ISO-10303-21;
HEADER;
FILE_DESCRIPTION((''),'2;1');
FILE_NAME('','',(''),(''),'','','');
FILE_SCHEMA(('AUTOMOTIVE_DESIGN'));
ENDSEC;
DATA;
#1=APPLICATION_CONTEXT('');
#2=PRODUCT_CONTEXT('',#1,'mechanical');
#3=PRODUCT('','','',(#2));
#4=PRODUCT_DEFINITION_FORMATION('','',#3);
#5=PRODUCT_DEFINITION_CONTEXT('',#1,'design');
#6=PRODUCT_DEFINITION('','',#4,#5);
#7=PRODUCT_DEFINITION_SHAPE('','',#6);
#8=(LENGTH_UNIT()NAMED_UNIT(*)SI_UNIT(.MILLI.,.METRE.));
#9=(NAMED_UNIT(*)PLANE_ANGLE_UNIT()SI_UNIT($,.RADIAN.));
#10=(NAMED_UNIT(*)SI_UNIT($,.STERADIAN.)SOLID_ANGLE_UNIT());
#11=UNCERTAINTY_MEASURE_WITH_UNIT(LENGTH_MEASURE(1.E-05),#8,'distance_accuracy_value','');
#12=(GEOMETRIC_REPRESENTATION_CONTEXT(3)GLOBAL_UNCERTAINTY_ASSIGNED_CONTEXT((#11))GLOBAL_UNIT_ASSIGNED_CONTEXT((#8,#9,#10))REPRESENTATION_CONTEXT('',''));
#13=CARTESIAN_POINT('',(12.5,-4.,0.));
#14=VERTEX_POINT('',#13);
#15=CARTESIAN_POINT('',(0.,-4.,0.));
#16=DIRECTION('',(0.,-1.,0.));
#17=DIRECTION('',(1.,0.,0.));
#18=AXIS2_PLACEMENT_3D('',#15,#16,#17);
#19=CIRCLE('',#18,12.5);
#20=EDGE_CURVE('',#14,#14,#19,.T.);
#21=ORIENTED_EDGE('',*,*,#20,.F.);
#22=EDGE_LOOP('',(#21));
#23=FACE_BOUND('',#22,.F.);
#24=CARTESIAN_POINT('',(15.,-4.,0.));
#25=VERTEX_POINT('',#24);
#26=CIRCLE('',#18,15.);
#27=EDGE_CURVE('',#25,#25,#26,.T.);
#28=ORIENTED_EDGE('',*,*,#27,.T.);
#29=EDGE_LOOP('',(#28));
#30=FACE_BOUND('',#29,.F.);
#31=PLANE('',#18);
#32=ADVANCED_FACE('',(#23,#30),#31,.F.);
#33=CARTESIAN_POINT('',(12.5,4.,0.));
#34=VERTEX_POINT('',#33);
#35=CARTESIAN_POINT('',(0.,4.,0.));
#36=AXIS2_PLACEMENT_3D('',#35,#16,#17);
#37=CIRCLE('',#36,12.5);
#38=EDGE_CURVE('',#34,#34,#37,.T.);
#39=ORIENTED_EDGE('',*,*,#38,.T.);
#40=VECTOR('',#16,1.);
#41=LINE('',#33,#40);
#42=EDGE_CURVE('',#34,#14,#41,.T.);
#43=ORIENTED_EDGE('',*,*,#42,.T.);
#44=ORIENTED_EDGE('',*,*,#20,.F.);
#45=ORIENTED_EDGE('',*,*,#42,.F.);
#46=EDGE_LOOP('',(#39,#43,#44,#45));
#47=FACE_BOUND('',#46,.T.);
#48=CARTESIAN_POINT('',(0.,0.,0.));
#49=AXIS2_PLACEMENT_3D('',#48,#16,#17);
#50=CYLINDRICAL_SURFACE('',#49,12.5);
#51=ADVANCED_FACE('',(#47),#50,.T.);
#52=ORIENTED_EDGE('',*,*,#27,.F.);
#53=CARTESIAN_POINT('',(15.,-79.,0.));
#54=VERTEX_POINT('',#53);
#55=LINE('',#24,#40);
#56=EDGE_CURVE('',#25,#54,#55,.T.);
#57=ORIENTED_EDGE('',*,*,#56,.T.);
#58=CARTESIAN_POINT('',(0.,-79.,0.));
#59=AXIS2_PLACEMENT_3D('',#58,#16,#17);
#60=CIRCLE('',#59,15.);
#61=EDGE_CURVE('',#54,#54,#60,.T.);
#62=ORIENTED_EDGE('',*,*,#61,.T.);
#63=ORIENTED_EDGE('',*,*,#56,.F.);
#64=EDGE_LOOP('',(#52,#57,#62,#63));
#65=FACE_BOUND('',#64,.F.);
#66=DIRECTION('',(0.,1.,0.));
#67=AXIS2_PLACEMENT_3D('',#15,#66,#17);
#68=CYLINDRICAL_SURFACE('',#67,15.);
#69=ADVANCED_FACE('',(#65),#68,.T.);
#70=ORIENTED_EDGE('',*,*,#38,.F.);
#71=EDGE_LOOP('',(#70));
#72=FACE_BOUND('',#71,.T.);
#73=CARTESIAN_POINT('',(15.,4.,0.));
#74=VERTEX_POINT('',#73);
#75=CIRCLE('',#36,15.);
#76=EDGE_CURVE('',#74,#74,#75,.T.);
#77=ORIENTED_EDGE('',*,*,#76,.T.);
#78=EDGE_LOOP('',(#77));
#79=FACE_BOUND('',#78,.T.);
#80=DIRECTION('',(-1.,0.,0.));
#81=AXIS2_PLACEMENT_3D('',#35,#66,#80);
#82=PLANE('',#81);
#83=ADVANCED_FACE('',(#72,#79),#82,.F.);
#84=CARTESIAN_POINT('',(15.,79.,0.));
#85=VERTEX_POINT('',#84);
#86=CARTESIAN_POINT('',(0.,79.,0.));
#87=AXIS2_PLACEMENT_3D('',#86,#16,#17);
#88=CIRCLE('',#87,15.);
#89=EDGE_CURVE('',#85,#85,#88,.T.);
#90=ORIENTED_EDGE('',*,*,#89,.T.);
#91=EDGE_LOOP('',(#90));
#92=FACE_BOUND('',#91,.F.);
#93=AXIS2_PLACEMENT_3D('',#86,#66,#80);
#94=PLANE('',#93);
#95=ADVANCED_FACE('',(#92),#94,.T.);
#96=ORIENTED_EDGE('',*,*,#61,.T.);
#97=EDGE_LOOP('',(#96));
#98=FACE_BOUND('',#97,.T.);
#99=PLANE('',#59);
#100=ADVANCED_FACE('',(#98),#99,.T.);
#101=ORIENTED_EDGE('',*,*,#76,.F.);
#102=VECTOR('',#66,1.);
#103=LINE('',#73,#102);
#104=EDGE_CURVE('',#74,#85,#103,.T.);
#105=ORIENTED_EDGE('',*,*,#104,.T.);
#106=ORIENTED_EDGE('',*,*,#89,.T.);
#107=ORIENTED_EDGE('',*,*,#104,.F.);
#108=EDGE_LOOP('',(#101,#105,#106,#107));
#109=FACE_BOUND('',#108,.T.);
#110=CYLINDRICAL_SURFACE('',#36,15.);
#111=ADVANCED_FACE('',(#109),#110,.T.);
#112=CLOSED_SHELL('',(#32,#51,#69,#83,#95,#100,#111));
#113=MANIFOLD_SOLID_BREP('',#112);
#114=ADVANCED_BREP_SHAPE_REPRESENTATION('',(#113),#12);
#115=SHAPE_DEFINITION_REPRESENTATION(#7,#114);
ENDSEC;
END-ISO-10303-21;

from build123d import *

# Parameters (mm, degrees)
F0_R     = 12.5
F1_DEPTH = 4
F2_R     = 15
F3_DEPTH = 75


with BuildPart() as f1:
    # F0 (on Front) → F1 (new body)
    with BuildSketch(Plane.XZ):
        Circle(F0_R)
    extrude(amount=F1_DEPTH)

    # F2 (on face) → F3 (join)
    with BuildSketch(Plane.XZ.offset(4)):
        Circle(F2_R)
    extrude(amount=F3_DEPTH)

    # F4: F1 across plane


with BuildPart() as f1_1:
    add(f1.part)
    add(f1.part.mirror(Plane.XZ))


solid = f1_1.part
